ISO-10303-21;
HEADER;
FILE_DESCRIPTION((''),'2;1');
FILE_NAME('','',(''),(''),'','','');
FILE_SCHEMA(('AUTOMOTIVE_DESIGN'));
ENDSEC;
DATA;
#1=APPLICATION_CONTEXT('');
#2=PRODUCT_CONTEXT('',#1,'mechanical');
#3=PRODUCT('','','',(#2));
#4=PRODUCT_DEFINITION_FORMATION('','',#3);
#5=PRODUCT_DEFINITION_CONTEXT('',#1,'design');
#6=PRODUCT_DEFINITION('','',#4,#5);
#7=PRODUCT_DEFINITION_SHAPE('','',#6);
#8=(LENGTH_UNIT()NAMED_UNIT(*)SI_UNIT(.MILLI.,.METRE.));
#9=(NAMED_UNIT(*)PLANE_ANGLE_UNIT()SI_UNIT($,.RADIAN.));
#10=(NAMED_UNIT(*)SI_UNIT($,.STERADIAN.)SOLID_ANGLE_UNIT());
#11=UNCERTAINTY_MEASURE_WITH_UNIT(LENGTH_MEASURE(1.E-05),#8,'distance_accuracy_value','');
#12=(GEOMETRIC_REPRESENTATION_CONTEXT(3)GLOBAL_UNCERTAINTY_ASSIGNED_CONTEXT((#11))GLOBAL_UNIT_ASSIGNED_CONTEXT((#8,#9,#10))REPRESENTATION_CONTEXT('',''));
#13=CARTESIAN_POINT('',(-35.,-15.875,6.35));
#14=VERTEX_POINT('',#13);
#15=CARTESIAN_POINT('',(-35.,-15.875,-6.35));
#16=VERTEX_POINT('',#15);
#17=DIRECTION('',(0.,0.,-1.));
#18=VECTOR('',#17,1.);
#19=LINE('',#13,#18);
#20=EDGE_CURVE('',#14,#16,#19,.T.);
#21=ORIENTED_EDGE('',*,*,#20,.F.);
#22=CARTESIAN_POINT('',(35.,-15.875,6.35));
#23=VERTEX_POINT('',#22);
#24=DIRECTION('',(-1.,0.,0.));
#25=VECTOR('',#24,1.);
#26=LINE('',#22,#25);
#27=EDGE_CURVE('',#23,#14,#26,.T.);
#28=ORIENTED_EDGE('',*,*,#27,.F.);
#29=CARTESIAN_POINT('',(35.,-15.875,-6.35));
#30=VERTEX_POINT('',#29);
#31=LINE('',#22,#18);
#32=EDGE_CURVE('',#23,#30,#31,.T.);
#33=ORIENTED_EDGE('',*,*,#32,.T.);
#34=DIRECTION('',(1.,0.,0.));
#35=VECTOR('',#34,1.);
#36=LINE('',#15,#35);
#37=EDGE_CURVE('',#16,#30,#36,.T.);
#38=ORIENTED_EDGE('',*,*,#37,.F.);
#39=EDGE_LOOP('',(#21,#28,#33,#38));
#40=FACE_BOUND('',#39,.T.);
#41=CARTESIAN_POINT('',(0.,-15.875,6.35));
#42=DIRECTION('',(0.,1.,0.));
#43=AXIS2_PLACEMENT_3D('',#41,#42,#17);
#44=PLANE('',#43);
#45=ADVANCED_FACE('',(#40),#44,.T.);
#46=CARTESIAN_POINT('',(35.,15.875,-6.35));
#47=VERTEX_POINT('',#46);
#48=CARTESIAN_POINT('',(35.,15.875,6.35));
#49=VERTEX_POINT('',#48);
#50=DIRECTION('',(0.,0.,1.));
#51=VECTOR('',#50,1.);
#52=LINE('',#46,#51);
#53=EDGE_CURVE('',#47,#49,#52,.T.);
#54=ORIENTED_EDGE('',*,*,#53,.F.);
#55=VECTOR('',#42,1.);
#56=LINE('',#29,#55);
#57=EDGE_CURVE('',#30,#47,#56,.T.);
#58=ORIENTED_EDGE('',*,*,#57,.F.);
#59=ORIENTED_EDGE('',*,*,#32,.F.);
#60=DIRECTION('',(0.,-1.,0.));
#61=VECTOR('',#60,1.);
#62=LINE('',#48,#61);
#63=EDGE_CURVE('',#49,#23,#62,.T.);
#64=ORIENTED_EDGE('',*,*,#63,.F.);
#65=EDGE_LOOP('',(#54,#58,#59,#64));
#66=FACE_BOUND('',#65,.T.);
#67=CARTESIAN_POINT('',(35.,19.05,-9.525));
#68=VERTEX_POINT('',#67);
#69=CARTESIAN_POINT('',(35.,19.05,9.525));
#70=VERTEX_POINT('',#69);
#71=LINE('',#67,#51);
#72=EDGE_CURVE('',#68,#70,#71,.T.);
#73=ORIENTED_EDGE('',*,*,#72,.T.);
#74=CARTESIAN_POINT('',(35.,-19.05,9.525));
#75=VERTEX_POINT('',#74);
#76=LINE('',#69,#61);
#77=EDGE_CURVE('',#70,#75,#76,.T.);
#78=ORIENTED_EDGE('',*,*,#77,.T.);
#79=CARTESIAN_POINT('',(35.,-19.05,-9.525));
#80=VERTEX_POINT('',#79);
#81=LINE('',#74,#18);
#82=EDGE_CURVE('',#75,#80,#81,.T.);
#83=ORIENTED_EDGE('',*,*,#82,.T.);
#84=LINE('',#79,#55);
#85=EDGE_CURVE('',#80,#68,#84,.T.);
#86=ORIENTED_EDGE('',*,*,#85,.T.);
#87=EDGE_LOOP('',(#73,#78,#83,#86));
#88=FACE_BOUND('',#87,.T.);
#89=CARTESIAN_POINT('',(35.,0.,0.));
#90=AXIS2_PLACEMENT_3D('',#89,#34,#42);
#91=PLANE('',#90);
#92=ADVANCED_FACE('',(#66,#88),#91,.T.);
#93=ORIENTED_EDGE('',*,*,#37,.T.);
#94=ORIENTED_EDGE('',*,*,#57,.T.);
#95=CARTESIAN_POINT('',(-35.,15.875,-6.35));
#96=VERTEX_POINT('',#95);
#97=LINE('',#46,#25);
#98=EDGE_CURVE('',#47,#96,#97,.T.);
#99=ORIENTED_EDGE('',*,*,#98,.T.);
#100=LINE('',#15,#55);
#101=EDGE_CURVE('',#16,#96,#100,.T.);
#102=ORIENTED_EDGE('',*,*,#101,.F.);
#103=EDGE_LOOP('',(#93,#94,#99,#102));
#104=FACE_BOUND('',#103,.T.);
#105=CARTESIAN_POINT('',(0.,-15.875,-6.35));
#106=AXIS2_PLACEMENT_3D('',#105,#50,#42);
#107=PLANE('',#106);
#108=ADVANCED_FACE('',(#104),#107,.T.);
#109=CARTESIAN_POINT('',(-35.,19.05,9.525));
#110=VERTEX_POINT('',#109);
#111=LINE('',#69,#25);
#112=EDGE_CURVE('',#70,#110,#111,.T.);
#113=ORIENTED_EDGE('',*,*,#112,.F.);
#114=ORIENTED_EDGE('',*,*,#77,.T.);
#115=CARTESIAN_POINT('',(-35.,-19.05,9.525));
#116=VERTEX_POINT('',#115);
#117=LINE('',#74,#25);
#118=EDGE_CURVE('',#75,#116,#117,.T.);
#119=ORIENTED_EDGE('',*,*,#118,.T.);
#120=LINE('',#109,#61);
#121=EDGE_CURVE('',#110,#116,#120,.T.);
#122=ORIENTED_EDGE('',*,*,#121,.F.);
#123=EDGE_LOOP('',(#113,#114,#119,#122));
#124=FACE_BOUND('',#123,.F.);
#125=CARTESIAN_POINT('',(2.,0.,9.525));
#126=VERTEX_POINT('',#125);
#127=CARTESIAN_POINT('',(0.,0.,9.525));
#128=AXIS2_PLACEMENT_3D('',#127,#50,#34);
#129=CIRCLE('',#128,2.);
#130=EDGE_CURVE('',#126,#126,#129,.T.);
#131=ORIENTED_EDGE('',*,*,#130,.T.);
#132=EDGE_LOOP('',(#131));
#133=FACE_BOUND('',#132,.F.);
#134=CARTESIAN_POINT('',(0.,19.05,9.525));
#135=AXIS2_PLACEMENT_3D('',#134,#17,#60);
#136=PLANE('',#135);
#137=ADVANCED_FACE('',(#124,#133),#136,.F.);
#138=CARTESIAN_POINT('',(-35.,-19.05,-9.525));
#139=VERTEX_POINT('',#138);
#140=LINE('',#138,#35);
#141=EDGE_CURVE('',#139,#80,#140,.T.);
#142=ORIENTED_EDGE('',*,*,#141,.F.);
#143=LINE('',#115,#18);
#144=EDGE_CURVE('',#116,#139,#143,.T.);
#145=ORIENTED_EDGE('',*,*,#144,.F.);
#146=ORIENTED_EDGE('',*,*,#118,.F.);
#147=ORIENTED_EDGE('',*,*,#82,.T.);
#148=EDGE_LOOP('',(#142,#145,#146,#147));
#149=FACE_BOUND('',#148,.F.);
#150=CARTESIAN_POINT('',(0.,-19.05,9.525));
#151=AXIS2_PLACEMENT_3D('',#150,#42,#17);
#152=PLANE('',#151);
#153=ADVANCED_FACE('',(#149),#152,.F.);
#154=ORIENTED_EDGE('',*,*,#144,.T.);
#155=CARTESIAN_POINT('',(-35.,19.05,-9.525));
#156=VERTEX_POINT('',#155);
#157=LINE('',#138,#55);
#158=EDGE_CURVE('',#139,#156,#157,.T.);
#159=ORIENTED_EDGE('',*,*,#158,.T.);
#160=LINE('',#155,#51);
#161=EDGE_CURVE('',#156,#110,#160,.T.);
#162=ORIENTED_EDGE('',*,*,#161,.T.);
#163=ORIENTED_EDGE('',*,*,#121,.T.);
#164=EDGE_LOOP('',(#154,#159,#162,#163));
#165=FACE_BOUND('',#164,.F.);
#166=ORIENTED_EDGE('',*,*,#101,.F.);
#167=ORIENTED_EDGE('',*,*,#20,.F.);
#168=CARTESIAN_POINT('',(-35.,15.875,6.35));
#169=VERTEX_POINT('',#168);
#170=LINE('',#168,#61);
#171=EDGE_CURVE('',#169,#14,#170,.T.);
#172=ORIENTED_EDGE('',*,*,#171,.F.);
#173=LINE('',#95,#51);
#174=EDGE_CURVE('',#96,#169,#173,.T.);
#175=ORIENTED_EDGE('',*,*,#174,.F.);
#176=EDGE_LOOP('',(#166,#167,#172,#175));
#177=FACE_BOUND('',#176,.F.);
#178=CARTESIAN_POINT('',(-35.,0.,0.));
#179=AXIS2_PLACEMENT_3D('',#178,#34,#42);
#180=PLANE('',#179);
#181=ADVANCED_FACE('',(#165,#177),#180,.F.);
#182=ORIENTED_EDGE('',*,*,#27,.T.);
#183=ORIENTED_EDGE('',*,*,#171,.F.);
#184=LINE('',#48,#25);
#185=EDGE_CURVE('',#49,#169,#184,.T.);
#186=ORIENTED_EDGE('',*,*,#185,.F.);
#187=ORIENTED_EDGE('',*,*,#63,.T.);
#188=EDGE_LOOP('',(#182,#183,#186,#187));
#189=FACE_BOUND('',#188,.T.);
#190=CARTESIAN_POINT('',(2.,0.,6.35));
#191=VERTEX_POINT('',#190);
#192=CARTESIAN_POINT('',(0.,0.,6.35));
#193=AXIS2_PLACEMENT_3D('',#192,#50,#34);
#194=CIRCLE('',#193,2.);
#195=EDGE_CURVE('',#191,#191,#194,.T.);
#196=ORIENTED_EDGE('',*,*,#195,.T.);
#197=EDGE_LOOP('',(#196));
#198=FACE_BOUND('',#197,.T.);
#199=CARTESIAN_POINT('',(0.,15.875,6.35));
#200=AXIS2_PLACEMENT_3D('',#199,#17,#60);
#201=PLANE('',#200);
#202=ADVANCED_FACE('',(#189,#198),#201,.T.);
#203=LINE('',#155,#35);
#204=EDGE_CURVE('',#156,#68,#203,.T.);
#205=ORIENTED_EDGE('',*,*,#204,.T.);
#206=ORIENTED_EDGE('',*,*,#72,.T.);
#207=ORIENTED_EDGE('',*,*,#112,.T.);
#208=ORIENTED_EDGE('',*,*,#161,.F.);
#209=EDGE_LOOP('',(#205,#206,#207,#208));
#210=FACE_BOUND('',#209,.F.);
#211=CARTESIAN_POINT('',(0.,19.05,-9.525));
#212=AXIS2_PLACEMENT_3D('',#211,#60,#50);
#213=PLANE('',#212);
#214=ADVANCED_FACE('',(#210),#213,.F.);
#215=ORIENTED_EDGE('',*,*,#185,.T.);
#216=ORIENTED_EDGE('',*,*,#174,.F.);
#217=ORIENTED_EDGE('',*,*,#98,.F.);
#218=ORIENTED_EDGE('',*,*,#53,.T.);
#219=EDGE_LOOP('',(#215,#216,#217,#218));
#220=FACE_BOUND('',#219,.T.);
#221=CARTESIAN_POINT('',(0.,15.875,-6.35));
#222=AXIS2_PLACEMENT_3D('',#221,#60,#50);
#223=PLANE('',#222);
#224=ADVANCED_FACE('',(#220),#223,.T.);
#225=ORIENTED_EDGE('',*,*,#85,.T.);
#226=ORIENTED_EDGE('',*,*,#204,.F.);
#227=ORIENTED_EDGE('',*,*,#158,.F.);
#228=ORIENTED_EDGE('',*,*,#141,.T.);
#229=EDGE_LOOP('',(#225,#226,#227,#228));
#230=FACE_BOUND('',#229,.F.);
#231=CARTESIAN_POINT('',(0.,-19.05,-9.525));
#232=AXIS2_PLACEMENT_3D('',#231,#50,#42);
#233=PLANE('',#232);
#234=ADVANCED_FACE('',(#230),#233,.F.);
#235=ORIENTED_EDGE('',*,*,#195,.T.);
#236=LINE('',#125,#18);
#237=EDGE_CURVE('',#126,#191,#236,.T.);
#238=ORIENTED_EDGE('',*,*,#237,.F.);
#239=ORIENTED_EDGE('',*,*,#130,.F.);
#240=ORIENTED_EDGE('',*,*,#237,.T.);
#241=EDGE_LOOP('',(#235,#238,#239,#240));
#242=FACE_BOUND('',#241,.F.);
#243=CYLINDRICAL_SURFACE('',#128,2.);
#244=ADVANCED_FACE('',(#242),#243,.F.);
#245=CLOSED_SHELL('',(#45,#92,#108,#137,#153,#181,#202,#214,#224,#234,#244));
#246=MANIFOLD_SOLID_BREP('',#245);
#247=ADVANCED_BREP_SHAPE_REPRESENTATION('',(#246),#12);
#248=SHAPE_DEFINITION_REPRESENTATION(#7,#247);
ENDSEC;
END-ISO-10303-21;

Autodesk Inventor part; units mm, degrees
ref_plane "YZ Plane" through (0, 0, 0) normal (1, 0, 0) x (0, 1, 0)
ref_plane "XZ Plane" through (0, 0, 0) normal (0, 1, 0) x (-1, 0, 0)
ref_plane "XY Plane" through (0, 0, 0) normal (0, 0, 1) x (1, 0, 0)
sketch "Sketch1" plane through (0, 0, 0) normal (1, 0, 0) x (0, 1, 0)
  line L0 (-15.875, -6.35) -> (15.875, -6.35)
  line L1 (15.875, -6.35) -> (15.875, 6.35)
  line L2 (15.875, 6.35) -> (-15.875, 6.35)
  line L3 (-15.875, 6.35) -> (-15.875, -6.35)
  line L4 (-15.875, -6.35) -> (15.875, 6.35) construction
  line L5 (15.875, -6.35) -> (-15.875, 6.35) construction
  line L6 (-19.05, -9.525) -> (19.05, -9.525)
  line L7 (19.05, -9.525) -> (19.05, 9.525)
  line L8 (19.05, 9.525) -> (-19.05, 9.525)
  line L9 (-19.05, 9.525) -> (-19.05, -9.525)
  line L10 (-19.05, -9.525) -> (19.05, 9.525) construction
  line L11 (19.05, -9.525) -> (-19.05, 9.525) construction
  point P0 (0, 0)
  dimension "d0" = 38.1
  dimension "d1" = 19.05
  dimension "d2" = 3.175
  dimension "d3" = 3.175
extrude "Extrusion1" add sketch "Sketch1" along normal mid plane 70
sketch "Sketch2" plane through (-35, -19.05, 9.525) normal (0, 0, 1) x (1, 0, 0)
  circle A0 centre (35, 19.05) radius 2
  dimension "d6" = 4
extrude "Extrusion2" cut sketch "Sketch2" against normal blind 10
equation "\"d3\" = d2"
properties part number "AluminumBlock"
